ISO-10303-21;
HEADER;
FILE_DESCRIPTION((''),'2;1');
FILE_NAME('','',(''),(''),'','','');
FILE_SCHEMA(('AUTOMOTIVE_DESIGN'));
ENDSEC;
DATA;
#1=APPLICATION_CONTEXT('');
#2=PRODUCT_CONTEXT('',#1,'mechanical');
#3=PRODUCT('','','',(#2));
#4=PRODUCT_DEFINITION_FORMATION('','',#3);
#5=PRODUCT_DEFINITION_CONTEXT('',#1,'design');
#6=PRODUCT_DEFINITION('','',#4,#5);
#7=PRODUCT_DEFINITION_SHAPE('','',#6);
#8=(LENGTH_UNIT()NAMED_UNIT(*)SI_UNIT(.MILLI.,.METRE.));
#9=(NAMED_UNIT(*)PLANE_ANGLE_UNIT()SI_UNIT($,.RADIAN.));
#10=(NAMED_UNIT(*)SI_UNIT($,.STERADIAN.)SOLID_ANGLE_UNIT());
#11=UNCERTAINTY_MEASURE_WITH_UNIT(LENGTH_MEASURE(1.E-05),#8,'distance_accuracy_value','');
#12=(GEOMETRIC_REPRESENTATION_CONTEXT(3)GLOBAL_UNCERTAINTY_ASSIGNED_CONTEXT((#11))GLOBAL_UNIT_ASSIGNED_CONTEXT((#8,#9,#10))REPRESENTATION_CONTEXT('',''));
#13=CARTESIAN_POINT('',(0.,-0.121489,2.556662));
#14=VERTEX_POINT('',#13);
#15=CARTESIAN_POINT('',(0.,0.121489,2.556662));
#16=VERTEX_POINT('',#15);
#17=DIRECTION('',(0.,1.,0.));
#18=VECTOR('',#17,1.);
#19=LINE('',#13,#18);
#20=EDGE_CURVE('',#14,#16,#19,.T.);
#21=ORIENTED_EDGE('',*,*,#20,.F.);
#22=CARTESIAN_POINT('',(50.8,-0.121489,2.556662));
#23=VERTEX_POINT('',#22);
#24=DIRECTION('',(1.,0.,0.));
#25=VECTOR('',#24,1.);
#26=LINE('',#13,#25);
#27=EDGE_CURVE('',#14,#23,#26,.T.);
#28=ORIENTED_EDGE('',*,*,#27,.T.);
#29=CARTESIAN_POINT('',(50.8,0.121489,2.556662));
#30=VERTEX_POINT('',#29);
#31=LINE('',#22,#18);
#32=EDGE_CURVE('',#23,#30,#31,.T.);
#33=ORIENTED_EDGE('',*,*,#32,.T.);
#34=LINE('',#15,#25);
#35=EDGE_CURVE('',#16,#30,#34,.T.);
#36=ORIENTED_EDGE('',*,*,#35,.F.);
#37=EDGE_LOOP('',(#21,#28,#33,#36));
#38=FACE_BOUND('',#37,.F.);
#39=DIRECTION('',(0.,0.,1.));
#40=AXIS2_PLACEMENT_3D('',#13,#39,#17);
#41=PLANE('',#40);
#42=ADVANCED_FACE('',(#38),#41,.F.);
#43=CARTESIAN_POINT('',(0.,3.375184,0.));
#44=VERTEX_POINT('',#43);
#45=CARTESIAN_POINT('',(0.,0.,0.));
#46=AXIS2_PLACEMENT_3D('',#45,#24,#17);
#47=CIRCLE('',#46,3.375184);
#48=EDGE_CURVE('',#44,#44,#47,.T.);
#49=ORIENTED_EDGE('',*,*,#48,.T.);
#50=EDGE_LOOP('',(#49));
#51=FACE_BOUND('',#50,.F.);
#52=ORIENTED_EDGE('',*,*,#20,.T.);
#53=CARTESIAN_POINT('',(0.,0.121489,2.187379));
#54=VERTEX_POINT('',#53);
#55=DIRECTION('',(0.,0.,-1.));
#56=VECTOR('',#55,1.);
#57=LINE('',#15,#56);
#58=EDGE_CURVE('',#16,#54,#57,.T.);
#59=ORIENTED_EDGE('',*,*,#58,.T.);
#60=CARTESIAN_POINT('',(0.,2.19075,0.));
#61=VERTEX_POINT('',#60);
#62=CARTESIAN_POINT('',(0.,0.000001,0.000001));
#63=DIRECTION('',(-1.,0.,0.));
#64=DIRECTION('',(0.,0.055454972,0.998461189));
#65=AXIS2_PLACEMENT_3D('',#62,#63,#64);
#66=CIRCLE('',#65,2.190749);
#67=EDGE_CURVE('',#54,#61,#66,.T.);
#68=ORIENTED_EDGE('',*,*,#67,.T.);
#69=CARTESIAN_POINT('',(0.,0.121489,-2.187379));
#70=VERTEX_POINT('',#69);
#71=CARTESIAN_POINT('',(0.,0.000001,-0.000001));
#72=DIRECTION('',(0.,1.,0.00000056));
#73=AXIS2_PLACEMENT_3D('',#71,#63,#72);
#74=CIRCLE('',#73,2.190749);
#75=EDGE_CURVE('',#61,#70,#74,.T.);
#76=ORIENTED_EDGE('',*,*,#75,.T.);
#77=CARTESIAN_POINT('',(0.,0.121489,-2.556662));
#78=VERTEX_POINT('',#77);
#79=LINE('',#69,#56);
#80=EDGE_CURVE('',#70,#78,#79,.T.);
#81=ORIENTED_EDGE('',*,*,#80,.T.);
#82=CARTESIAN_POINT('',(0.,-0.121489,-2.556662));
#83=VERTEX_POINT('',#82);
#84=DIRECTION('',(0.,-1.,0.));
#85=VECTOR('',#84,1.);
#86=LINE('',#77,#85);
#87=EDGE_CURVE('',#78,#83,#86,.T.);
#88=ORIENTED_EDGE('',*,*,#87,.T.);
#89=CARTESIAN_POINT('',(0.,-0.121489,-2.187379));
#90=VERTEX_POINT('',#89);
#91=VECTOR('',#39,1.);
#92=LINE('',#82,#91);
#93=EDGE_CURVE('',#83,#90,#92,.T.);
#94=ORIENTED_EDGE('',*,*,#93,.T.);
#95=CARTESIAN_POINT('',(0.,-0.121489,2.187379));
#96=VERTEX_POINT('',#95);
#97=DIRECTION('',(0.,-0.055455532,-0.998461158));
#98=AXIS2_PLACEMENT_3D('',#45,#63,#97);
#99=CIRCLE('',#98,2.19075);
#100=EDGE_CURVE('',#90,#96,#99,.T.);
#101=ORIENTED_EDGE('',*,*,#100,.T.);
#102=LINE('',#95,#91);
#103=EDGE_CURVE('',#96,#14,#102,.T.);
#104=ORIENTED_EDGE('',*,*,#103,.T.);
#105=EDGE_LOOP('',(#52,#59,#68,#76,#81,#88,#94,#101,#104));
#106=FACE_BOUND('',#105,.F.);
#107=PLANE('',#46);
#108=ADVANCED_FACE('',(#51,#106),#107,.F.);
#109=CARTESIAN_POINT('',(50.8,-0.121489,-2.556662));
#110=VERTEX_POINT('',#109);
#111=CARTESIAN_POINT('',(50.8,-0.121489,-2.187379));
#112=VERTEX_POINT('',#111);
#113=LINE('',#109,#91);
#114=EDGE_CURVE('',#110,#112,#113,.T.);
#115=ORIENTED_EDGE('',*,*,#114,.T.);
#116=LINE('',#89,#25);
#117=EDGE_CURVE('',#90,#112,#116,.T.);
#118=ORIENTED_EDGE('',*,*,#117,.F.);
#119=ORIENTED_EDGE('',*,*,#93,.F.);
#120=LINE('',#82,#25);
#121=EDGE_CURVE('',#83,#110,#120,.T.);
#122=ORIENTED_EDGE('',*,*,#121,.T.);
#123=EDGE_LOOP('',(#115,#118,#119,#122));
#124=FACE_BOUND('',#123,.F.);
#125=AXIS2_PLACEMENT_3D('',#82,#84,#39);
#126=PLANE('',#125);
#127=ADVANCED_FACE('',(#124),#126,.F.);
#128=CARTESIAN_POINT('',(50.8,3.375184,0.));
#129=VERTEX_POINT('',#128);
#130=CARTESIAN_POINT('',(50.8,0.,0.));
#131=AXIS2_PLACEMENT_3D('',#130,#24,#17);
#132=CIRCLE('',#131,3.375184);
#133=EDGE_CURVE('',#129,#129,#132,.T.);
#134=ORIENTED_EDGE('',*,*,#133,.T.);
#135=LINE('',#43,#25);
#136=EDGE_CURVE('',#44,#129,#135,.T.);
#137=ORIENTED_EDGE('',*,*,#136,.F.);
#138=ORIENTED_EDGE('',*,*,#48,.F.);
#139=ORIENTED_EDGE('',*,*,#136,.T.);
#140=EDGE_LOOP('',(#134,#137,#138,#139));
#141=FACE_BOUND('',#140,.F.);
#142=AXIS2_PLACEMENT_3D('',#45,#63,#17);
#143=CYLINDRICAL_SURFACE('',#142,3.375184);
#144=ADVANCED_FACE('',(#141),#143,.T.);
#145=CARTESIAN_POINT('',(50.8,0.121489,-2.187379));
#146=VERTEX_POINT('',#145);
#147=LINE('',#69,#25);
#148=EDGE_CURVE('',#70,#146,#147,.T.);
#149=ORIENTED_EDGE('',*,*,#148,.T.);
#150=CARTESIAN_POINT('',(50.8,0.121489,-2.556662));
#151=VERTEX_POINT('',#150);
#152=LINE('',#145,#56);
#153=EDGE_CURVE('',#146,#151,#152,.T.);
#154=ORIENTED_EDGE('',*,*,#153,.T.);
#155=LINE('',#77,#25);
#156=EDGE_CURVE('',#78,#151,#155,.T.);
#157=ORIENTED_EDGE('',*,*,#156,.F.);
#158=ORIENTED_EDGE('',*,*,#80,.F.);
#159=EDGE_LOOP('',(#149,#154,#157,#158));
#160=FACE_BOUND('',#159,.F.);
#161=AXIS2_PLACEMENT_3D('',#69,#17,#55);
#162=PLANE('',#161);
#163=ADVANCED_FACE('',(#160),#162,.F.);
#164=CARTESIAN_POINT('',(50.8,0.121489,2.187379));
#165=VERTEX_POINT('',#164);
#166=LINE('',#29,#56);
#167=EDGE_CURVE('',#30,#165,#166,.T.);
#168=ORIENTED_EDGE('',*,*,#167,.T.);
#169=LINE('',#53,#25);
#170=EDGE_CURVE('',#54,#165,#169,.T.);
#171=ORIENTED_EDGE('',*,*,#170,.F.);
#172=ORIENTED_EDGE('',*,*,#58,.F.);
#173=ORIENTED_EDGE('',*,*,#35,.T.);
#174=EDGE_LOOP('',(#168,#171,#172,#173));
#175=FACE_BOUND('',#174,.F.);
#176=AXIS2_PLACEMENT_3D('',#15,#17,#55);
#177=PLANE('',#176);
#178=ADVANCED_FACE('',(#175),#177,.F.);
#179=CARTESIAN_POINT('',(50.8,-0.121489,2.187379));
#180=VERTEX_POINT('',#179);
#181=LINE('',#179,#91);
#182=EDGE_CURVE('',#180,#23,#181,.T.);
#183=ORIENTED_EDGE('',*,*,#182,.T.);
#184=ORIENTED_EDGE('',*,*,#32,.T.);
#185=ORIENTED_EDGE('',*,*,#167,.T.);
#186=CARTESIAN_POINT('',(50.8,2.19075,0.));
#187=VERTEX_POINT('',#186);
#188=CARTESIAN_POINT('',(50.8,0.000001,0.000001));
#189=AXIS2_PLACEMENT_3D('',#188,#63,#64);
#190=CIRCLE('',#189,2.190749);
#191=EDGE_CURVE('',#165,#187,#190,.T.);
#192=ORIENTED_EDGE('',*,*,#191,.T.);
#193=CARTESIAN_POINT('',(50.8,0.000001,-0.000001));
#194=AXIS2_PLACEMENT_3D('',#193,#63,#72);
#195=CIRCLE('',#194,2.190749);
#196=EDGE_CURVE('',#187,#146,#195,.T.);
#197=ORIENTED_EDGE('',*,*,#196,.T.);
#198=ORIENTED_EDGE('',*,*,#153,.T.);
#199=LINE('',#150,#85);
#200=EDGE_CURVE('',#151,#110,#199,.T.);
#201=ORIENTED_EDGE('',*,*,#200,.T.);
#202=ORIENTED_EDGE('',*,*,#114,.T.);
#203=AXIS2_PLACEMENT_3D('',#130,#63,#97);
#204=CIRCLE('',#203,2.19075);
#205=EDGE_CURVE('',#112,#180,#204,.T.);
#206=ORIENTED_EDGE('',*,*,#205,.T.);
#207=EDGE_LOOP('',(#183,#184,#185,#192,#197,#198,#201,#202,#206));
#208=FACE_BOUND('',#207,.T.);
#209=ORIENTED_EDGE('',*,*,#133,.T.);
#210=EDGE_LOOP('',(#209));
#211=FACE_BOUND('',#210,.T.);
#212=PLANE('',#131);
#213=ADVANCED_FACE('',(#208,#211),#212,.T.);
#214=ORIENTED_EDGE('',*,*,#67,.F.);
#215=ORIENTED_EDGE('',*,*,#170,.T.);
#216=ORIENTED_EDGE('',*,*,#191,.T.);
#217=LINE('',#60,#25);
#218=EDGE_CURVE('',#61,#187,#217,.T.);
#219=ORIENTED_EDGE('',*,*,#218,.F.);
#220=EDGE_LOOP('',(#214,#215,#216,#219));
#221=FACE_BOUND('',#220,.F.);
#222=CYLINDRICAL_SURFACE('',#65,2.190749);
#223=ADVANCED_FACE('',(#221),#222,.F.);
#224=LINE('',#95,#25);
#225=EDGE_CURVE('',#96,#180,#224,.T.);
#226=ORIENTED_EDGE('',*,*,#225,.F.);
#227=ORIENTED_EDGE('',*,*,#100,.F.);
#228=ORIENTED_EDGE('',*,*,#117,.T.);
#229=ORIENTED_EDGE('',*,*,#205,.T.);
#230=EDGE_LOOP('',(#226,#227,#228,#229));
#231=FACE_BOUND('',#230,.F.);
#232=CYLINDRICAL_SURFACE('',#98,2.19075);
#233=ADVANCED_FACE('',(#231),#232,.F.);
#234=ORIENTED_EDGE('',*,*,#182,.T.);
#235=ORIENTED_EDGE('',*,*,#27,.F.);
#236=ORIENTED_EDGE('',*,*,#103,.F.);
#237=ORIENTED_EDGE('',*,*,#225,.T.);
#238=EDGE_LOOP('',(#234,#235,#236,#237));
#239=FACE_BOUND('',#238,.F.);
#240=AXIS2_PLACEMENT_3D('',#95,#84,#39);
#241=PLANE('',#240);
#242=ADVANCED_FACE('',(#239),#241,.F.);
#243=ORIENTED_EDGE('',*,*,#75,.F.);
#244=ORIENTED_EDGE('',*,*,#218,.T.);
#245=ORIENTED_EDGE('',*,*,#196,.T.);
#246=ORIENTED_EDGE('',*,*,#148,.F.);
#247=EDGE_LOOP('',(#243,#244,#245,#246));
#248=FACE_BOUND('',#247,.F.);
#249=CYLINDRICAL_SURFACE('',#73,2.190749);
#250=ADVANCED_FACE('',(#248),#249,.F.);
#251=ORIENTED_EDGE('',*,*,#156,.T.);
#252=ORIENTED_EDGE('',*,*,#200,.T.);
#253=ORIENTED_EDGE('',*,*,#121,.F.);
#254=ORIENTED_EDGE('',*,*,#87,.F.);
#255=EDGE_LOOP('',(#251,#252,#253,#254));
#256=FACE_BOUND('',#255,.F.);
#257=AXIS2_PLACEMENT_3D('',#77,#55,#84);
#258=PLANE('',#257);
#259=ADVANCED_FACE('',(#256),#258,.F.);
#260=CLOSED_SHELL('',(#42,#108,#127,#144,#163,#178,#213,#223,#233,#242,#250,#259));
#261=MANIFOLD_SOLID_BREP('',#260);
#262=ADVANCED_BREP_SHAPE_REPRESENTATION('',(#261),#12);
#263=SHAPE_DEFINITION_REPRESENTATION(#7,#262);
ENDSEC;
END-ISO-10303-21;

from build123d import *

# Parameters (mm, degrees)
F0_R     = 3.375184
F1_DEPTH = 50.8


with BuildPart() as f1:
    # F0 (on Right) → F1 (new body)
    with BuildSketch(Plane.YZ):
        Circle(F0_R)
        with BuildLine():
            ThreePointArc((0.121489, 2.187379), (1.591468, 1.505529), (2.19075, 0))
            ThreePointArc((2.19075, 0), (1.591468, -1.505529), (0.121489, -2.187379))
            Line((0.121489, -2.187379), (0.121489, -2.556662))
            Line((0.121489, -2.556662), (0, -2.556662))
            Line((0, -2.556662), (-0.121489, -2.556662))
            Line((-0.121489, -2.556662), (-0.121489, -2.187379))
            ThreePointArc((-0.121489, -2.187379), (-2.19075, 0), (-0.121489, 2.187379))
            Line((-0.121489, 2.187379), (-0.121489, 2.556662))
            Line((-0.121489, 2.556662), (0, 2.556662))
            Line((0, 2.556662), (0.121489, 2.556662))
            Line((0.121489, 2.556662), (0.121489, 2.187379))
        make_face(mode=Mode.SUBTRACT)
    extrude(amount=F1_DEPTH)


solid = f1.part
